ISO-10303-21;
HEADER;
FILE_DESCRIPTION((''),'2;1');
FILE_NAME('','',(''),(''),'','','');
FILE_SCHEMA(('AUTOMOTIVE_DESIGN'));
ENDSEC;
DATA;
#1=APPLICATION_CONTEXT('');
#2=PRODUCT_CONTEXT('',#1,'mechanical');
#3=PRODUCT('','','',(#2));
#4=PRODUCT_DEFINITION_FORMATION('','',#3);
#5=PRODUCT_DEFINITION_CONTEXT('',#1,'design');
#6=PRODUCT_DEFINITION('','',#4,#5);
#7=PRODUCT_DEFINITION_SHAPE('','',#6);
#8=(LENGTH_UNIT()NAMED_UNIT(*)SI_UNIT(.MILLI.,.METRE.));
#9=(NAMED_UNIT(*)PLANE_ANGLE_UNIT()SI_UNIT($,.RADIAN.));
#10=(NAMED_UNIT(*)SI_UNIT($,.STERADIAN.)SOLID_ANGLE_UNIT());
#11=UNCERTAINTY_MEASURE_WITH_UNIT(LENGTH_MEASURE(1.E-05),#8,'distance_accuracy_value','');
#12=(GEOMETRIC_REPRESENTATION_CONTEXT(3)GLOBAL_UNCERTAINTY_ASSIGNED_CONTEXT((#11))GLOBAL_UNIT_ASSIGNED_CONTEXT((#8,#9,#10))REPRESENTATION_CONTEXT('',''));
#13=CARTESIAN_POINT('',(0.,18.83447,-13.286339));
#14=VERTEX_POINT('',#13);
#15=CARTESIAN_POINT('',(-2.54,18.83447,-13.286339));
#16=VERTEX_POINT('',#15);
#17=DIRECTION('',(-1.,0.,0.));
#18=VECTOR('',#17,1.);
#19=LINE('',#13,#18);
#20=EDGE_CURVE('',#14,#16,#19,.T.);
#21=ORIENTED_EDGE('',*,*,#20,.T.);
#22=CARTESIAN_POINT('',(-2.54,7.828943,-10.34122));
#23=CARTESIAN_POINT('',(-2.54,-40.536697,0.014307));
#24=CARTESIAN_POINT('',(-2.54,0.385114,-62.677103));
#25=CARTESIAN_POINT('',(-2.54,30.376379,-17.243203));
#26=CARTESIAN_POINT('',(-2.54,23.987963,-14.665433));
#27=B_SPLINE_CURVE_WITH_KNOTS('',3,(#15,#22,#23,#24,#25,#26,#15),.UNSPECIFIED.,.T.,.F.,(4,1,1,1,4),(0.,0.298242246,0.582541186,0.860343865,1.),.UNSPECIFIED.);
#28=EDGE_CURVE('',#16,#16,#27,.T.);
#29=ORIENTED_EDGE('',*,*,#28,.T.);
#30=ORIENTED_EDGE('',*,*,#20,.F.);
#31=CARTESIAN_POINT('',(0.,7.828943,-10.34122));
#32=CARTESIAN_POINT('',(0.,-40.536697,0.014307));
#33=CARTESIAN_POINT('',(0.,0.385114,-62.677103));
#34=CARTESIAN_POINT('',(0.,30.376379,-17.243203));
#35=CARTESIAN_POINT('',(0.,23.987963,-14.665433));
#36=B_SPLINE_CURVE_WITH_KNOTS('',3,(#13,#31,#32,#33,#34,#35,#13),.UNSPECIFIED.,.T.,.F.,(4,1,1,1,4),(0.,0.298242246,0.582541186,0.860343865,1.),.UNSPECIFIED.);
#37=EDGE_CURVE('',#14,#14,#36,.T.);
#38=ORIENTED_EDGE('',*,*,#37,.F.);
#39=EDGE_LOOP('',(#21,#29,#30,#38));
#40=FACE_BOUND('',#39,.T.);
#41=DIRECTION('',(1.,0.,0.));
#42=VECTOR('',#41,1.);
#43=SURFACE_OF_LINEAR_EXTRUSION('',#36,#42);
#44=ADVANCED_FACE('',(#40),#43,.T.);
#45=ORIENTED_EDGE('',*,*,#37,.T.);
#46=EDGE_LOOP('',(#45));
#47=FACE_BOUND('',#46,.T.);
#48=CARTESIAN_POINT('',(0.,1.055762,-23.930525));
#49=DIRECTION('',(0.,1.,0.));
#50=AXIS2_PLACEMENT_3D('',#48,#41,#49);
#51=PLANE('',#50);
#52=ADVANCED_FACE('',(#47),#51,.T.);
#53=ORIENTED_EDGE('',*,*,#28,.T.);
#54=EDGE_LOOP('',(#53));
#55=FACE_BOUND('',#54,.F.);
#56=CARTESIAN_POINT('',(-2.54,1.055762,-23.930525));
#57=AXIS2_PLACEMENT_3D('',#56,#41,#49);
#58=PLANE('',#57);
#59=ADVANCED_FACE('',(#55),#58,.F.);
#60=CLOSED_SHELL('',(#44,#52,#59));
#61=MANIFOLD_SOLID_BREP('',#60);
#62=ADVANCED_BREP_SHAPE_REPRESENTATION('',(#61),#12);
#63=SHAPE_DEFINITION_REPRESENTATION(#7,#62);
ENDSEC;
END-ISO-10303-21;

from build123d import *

# Parameters (mm, degrees)
F1_DEPTH = 2.54
F4_DEPTH = 2.54


with BuildPart() as f1:
    # F0 (on Front) → F1 (new body)
    with BuildSketch(Plane.XZ):
        Polygon((39.0037801344, -25.0662074544), (46.3638827205, 0), (39.0037801344, 25.0662074544), (19.2602529431, 42.1740711514), (-6.5982684711, 45.8919652456), (-30.3618862669, 35.0394846314), (-44.4858196998, 13.0622152239), (-44.4858196998, -13.0622152239), (-30.3618862669, -35.0394846314), (-6.5982684711, -45.8919652456), (19.2602529431, -42.1740711514), align=None)
    extrude(amount=F1_DEPTH)


with BuildPart() as f4:
    # F3 (on Right) → F4 (new body)
    with BuildSketch(Plane.YZ):
        with BuildLine():
            add(Edge.make_bspline(
                [(18.8344698399, -13.2863391191), (7.8289426418, -10.3412201612), (-40.536696967, 0.0143071379), (0.3851135743, -62.6771033415), (30.376378588, -17.2432031362), (23.9879630476, -14.6654325757), (18.8344698399, -13.2863391191)],
                knots=[0, 0, 0, 0, 0.2982422459, 0.5825411858, 0.8603438653, 1, 1, 1, 1], degree=3))
        make_face()
    extrude(amount=-F4_DEPTH)


solid = f4.part
